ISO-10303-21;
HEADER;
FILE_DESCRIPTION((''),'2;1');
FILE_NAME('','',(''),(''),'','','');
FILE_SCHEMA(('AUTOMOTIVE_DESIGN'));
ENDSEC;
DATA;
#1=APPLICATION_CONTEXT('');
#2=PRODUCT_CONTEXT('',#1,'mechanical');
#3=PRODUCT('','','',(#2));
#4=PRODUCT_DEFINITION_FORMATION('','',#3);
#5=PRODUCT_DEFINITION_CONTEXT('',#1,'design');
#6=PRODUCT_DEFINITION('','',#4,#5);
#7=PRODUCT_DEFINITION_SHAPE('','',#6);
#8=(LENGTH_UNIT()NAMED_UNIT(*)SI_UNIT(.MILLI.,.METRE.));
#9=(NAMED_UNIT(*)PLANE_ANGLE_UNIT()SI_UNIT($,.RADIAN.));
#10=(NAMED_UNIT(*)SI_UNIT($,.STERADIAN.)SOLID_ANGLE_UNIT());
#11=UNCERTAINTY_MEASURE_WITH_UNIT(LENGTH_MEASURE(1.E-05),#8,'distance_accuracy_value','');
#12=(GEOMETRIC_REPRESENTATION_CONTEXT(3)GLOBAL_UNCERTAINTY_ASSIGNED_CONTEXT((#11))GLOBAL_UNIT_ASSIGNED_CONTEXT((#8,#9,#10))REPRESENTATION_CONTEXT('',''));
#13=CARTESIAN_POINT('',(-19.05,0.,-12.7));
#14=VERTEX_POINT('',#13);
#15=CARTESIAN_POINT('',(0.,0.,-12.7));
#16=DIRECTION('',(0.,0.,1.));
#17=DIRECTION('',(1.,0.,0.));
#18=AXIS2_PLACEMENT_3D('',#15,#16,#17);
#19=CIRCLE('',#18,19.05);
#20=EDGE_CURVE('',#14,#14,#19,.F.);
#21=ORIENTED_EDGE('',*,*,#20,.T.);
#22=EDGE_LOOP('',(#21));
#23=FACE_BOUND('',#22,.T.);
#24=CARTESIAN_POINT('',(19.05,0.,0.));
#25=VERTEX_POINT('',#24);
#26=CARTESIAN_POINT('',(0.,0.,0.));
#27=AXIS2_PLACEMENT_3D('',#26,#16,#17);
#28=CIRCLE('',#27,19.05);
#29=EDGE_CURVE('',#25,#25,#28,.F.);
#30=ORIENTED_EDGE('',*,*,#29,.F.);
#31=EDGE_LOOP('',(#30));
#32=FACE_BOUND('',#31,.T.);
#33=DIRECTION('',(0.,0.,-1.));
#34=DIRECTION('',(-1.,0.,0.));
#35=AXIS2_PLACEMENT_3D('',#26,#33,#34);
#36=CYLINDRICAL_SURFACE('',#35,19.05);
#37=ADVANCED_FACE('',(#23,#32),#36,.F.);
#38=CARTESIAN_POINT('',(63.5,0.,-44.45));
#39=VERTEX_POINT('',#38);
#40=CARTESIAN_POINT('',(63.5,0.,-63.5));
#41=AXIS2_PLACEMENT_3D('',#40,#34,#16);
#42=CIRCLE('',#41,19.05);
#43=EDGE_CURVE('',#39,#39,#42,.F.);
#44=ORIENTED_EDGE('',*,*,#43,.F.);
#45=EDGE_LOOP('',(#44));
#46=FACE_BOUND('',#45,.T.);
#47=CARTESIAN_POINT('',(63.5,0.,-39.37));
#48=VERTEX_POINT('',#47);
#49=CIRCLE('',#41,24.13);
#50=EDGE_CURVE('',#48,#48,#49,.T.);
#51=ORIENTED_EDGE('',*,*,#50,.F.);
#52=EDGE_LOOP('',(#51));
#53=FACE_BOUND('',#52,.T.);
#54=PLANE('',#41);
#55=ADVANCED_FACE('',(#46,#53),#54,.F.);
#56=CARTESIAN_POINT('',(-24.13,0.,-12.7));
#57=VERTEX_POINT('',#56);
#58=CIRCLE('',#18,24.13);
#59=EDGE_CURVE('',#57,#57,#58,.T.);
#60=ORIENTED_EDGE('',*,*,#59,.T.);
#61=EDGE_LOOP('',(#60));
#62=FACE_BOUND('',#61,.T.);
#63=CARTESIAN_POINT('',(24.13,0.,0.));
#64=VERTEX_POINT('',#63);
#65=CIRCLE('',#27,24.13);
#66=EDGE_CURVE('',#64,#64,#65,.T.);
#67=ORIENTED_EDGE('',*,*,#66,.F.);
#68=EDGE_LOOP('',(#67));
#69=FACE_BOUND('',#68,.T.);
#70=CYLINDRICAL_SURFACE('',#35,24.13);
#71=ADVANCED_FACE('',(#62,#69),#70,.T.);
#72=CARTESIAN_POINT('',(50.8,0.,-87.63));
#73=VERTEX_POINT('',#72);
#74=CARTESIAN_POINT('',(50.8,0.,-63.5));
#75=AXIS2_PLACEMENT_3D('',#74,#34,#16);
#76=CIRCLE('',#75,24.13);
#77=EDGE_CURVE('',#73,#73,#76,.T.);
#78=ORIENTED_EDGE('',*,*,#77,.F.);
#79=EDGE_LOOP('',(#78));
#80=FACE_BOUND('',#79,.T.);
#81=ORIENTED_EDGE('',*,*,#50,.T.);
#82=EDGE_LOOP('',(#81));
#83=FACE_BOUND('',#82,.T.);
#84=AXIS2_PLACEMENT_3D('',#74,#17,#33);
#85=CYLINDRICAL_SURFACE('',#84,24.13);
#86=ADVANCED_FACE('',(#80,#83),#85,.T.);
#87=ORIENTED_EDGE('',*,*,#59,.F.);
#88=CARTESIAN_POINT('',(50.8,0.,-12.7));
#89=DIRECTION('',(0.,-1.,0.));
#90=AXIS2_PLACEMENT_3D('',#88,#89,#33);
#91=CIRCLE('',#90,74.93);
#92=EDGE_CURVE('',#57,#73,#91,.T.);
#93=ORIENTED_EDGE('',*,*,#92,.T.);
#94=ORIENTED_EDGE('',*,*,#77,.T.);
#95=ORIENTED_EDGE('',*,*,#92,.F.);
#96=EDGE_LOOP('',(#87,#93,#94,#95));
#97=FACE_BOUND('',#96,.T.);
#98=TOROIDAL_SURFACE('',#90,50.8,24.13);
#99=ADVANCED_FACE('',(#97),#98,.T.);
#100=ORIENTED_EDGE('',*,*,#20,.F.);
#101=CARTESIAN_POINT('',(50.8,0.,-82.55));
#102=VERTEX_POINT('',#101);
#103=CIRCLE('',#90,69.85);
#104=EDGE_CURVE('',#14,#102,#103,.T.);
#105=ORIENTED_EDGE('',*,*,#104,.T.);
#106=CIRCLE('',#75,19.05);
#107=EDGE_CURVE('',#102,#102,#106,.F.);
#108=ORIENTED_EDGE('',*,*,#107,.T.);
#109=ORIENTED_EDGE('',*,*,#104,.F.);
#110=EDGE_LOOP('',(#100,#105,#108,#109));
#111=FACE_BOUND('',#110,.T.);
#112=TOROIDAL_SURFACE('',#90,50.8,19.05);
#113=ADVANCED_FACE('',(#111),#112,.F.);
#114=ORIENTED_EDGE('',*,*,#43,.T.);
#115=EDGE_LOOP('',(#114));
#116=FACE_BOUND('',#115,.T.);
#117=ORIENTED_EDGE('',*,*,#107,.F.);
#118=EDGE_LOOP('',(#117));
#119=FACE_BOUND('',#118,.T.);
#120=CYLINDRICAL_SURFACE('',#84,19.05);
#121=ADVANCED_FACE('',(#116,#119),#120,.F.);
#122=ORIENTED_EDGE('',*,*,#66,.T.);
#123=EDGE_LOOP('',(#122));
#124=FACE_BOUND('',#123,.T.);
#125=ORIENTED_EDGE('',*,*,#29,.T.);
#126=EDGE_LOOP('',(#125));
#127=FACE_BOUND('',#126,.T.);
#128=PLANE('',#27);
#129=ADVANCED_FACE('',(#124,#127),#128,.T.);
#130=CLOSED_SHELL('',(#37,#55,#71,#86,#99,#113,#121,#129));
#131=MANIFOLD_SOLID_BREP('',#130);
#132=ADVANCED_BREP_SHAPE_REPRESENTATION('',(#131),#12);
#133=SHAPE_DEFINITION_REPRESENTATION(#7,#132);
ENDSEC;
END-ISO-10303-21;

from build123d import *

# Parameters (mm, degrees)
SKETCH1_R   = 24.13
SKETCH1_R_2 = 19.05


with BuildPart() as part:
    # Sweep1: sweep along a path in Sketch15
    with BuildLine(Plane(origin=(0, 0, 0), x_dir=(1, 0, 0), z_dir=(0, 1, 0))) as sweep1_path:
        Line((0, 0), (0, 12.7))
        ThreePointArc((0, 12.7), (14.878975516, 48.621024484), (50.8, 63.5))
        Line((50.8, 63.5), (63.5, 63.5))
    # Sketch1 → Sweep1 (sweep)
    with BuildSketch(Plane.XY):
        Circle(SKETCH1_R)
        Circle(SKETCH1_R_2, mode=Mode.SUBTRACT)
    sweep(path=sweep1_path.line)


solid = part.part
